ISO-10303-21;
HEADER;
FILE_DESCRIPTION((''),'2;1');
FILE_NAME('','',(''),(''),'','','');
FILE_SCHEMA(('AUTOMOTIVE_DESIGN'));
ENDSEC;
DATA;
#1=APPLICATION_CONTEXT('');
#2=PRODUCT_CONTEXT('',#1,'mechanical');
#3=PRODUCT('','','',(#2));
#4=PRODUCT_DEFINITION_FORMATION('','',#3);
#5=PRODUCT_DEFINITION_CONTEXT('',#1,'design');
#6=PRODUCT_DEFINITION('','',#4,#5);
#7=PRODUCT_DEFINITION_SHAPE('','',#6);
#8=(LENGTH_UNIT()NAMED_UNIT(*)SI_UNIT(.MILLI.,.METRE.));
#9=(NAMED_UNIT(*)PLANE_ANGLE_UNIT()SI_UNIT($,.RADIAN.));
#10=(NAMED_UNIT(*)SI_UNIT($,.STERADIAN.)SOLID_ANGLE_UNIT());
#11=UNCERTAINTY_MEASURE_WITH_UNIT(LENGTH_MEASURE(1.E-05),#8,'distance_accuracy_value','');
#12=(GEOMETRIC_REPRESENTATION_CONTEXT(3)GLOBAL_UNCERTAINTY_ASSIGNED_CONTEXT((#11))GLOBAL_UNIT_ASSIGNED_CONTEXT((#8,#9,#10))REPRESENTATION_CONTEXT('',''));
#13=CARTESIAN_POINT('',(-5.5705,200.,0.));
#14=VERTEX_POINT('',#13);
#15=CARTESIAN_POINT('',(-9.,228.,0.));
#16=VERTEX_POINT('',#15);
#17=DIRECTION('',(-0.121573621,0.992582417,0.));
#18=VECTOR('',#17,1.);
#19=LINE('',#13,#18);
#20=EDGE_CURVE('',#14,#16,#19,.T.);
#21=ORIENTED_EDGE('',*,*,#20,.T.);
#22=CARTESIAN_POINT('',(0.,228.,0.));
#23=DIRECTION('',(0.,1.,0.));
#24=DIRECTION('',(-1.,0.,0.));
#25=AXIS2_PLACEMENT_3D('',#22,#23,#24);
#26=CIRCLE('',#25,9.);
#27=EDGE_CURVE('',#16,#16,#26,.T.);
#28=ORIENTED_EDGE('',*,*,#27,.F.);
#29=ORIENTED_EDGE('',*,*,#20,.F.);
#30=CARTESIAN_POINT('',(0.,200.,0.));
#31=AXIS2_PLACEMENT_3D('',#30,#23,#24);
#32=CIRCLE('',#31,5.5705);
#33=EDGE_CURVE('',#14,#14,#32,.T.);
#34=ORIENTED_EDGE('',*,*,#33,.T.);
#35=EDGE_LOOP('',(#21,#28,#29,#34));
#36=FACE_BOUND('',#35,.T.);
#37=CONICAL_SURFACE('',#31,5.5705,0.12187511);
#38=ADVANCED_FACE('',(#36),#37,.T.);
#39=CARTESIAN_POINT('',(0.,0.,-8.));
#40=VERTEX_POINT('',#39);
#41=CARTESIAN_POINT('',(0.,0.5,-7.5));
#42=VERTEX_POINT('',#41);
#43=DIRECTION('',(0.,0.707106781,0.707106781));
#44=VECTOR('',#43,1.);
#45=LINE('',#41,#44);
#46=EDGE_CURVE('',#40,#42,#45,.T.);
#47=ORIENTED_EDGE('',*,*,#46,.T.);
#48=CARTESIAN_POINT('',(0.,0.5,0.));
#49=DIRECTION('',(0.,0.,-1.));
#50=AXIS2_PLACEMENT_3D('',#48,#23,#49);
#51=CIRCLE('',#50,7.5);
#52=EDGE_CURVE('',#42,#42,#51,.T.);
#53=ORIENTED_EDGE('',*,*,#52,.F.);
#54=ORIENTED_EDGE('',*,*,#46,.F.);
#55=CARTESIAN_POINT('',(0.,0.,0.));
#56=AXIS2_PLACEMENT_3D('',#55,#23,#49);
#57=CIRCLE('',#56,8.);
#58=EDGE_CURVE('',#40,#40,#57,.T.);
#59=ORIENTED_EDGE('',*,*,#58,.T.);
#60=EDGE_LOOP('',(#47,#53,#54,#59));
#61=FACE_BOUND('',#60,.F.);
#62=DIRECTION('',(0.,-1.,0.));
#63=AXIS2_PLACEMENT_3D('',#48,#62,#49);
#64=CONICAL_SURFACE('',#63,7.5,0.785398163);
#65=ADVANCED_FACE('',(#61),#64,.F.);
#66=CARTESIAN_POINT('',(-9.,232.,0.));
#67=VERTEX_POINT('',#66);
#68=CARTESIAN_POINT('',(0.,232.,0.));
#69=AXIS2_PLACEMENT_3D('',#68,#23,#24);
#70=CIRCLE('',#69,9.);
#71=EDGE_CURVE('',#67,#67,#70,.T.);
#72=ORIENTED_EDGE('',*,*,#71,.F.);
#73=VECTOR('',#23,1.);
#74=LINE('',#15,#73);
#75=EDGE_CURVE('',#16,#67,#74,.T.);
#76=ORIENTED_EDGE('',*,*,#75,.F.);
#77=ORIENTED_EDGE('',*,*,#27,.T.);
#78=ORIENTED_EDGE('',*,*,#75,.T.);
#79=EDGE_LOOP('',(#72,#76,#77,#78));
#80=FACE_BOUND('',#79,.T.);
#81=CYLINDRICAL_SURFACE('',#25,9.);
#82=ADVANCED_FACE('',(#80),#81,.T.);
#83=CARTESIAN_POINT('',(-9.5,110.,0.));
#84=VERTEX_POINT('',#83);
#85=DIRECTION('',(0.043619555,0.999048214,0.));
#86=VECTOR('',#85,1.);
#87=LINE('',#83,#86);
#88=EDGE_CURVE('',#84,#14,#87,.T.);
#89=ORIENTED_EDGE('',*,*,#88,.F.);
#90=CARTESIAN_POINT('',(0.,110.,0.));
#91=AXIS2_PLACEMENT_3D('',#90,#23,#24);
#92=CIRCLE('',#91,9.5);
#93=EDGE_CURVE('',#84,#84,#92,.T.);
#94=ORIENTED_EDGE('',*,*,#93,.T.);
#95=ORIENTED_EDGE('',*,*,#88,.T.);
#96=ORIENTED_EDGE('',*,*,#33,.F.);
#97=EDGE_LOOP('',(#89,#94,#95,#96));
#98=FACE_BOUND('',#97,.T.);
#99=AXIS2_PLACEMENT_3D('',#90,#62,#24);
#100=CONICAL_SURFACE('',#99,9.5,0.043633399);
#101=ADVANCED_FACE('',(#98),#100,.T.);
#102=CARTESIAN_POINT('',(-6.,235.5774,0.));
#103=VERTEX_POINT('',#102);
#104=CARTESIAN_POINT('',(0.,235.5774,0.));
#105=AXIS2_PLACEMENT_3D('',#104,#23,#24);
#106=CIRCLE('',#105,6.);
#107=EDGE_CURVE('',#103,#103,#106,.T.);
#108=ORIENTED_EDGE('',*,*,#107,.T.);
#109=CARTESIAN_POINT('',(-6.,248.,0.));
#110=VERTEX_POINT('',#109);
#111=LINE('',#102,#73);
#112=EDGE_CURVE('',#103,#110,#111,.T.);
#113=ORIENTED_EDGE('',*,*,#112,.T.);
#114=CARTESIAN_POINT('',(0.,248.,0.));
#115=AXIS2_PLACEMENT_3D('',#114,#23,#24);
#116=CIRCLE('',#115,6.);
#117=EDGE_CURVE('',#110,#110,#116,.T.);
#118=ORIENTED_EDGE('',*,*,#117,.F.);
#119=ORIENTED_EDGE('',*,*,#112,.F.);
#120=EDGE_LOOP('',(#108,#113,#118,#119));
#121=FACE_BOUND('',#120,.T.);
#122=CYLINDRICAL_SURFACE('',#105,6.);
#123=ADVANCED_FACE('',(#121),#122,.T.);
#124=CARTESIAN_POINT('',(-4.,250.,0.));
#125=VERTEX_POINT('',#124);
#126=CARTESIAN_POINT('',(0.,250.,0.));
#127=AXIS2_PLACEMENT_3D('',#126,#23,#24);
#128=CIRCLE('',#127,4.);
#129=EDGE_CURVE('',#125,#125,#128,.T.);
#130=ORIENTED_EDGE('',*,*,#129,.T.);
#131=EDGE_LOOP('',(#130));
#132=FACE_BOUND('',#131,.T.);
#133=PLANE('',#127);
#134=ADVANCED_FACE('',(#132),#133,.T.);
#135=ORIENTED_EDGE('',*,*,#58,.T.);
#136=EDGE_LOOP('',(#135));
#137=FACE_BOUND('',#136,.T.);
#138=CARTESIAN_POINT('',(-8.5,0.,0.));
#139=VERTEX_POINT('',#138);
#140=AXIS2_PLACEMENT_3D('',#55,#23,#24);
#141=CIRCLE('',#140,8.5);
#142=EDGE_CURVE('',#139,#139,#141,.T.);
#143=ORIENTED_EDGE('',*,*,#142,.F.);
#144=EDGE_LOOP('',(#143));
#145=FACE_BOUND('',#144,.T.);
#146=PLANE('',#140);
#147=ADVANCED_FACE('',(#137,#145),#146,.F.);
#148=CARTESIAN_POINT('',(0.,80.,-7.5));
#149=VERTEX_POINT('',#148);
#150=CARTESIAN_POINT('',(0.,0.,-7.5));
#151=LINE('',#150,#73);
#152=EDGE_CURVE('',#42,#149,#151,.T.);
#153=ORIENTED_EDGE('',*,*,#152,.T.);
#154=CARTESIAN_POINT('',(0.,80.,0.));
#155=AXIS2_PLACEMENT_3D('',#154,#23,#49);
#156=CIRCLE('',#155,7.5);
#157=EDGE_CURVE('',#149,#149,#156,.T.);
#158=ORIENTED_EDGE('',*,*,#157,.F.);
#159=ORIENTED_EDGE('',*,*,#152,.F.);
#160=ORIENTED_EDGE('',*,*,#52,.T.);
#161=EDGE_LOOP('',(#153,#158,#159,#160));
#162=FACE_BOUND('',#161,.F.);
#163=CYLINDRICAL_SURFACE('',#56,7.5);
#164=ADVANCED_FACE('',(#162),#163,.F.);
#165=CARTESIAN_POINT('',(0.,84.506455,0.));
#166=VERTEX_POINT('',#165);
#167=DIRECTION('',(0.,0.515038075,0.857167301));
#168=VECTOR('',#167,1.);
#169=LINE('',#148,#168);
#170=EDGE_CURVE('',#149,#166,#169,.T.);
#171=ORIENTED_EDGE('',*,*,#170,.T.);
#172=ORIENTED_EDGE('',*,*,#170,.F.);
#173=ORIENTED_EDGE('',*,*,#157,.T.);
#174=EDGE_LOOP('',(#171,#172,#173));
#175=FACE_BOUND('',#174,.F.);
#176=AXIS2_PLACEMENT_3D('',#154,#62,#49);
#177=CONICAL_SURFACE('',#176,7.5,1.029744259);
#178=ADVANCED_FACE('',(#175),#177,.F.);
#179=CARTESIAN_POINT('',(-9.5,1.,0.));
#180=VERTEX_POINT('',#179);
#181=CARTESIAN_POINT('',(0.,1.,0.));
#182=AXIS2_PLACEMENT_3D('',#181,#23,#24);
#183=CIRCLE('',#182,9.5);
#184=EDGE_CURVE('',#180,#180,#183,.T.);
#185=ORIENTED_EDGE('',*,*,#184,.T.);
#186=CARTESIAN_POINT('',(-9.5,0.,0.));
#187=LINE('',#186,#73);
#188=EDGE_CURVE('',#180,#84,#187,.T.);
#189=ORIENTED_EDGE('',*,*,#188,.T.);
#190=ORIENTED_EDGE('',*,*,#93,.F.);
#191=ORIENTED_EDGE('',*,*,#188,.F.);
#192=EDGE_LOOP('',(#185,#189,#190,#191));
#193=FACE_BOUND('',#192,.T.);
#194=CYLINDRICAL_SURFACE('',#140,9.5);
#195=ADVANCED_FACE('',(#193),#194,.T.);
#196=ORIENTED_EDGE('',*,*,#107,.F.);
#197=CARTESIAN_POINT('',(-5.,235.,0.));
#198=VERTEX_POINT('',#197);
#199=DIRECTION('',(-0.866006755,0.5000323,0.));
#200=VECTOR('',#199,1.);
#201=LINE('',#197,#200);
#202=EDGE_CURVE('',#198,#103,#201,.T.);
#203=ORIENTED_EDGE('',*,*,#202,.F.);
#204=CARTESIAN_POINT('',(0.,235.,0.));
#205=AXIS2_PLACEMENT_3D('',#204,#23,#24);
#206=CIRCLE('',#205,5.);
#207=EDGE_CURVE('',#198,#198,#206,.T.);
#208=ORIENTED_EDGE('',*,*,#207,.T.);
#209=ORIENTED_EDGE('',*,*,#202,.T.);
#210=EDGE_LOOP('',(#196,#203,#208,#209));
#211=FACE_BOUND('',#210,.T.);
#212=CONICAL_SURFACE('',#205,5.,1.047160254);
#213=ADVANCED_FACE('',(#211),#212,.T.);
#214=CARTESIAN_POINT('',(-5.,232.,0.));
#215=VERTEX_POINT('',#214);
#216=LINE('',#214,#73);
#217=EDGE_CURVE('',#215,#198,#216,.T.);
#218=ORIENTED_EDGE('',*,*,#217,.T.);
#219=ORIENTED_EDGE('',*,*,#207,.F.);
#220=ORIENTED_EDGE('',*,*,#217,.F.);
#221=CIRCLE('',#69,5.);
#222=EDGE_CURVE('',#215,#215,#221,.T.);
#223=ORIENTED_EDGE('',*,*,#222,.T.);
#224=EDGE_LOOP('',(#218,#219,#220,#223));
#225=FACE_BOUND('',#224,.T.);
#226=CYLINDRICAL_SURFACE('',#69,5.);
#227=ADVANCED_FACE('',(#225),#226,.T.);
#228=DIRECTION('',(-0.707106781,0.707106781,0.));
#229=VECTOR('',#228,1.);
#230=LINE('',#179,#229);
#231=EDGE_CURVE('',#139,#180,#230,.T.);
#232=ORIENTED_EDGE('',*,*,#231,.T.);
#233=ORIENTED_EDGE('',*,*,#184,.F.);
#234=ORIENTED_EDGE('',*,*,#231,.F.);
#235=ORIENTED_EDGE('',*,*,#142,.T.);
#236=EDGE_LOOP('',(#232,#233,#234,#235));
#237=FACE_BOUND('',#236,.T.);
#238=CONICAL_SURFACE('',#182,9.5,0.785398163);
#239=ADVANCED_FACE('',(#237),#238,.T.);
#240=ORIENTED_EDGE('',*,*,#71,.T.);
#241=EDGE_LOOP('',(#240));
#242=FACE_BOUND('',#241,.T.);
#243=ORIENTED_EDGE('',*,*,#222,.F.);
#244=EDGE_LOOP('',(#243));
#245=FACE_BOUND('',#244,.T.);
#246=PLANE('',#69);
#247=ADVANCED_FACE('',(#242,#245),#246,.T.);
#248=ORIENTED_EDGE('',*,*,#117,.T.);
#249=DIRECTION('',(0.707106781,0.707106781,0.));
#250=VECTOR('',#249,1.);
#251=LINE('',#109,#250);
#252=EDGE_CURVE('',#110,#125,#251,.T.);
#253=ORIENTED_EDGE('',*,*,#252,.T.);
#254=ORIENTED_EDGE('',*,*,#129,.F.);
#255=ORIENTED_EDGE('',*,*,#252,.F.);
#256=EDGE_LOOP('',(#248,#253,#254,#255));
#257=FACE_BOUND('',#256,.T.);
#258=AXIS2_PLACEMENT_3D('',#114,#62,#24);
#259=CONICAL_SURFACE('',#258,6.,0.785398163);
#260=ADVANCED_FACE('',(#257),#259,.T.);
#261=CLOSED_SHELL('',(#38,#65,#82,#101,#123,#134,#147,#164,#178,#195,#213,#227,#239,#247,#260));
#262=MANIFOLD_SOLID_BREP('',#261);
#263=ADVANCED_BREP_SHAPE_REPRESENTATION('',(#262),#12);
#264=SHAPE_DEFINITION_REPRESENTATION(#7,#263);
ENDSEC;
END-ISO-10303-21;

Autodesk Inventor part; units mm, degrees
ref_plane "YZ Plane" through (0, 0, 0) normal (1, 0, 0) x (0, 1, 0)
ref_plane "XZ Plane" through (0, 0, 0) normal (0, 1, 0) x (-1, 0, 0)
ref_plane "XY Plane" through (0, 0, 0) normal (0, 0, 1) x (1, 0, 0)
sketch "Sketch1" plane through (0, 0, 0) normal (0, 0, 1) x (1, 0, 0)
  line L0 (0, 0) -> (-9.5, 0)
  line L1 (-9.5, 0) -> (-9.5, 110)
  line L2 (-9.5, 110) -> (-5.5705, 200)
  line L3 (-5.5705, 200) -> (-9, 228)
  line L4 (-9, 228) -> (-9, 232)
  line L5 (-9, 232) -> (-5, 232)
  line L6 (-5, 232) -> (-5, 235)
  line L7 (-5, 235) -> (-6, 235.5774)
  line L8 (-6, 235.5774) -> (-6, 250)
  line L9 (-6, 250) -> (0, 250)
  line L10 (0, 250) -> (0, 0)
  line L11 (0, -50) -> (0, 300) projected
  line L12 (-11.4, 0) -> (1.9, 0) projected
  dimension "d0" = 250
  dimension "d1" = 19
  dimension "d2" = 110
  dimension "d5" = 11.141
  dimension "d6" = 12
  dimension "d7" = 3
  dimension "d9" = 18
  dimension "d10" = 4
  dimension "d11" = 10
  dimension "d12" = 60
  dimension "d13" = 18
  dimension "d14" = 2.5
  dimension "d16" = 6.983
  dimension "d17" = 200
  dimension "d18" = 232
  dimension "d19" = 50
  dimension "d20" = 14.4227
revolve "Revolution1" add sketch "Sketch1" angle 360 about axis through (0, -10, 0) along (0, 1, 0)
thread "Thread1" size "M12x1.75" class "6g" standard "ISO Metric profile" full length
sketch "Sketch2" plane through (0, 0, 0) normal (0, -1, 0) x (1, 0, 0)
  circle A0 centre (0, 0) radius 9.5 projected
hole "Hole1" at (0, 0, 0) direction (0, 1, 0) diameter 15 depth 80 tip angle 118
chamfer "Chamfer2" distance 2 angle 45 1 edges at (6, 250, 0)
chamfer "Chamfer3" distance 0.5 angle 45 1 edges at (0, 0, 7.5)
chamfer "Chamfer4" distance 1 angle 45 1 edges at (9.5, 0, 0)
properties part number "HM1-001" material "Steel, Alloy"
